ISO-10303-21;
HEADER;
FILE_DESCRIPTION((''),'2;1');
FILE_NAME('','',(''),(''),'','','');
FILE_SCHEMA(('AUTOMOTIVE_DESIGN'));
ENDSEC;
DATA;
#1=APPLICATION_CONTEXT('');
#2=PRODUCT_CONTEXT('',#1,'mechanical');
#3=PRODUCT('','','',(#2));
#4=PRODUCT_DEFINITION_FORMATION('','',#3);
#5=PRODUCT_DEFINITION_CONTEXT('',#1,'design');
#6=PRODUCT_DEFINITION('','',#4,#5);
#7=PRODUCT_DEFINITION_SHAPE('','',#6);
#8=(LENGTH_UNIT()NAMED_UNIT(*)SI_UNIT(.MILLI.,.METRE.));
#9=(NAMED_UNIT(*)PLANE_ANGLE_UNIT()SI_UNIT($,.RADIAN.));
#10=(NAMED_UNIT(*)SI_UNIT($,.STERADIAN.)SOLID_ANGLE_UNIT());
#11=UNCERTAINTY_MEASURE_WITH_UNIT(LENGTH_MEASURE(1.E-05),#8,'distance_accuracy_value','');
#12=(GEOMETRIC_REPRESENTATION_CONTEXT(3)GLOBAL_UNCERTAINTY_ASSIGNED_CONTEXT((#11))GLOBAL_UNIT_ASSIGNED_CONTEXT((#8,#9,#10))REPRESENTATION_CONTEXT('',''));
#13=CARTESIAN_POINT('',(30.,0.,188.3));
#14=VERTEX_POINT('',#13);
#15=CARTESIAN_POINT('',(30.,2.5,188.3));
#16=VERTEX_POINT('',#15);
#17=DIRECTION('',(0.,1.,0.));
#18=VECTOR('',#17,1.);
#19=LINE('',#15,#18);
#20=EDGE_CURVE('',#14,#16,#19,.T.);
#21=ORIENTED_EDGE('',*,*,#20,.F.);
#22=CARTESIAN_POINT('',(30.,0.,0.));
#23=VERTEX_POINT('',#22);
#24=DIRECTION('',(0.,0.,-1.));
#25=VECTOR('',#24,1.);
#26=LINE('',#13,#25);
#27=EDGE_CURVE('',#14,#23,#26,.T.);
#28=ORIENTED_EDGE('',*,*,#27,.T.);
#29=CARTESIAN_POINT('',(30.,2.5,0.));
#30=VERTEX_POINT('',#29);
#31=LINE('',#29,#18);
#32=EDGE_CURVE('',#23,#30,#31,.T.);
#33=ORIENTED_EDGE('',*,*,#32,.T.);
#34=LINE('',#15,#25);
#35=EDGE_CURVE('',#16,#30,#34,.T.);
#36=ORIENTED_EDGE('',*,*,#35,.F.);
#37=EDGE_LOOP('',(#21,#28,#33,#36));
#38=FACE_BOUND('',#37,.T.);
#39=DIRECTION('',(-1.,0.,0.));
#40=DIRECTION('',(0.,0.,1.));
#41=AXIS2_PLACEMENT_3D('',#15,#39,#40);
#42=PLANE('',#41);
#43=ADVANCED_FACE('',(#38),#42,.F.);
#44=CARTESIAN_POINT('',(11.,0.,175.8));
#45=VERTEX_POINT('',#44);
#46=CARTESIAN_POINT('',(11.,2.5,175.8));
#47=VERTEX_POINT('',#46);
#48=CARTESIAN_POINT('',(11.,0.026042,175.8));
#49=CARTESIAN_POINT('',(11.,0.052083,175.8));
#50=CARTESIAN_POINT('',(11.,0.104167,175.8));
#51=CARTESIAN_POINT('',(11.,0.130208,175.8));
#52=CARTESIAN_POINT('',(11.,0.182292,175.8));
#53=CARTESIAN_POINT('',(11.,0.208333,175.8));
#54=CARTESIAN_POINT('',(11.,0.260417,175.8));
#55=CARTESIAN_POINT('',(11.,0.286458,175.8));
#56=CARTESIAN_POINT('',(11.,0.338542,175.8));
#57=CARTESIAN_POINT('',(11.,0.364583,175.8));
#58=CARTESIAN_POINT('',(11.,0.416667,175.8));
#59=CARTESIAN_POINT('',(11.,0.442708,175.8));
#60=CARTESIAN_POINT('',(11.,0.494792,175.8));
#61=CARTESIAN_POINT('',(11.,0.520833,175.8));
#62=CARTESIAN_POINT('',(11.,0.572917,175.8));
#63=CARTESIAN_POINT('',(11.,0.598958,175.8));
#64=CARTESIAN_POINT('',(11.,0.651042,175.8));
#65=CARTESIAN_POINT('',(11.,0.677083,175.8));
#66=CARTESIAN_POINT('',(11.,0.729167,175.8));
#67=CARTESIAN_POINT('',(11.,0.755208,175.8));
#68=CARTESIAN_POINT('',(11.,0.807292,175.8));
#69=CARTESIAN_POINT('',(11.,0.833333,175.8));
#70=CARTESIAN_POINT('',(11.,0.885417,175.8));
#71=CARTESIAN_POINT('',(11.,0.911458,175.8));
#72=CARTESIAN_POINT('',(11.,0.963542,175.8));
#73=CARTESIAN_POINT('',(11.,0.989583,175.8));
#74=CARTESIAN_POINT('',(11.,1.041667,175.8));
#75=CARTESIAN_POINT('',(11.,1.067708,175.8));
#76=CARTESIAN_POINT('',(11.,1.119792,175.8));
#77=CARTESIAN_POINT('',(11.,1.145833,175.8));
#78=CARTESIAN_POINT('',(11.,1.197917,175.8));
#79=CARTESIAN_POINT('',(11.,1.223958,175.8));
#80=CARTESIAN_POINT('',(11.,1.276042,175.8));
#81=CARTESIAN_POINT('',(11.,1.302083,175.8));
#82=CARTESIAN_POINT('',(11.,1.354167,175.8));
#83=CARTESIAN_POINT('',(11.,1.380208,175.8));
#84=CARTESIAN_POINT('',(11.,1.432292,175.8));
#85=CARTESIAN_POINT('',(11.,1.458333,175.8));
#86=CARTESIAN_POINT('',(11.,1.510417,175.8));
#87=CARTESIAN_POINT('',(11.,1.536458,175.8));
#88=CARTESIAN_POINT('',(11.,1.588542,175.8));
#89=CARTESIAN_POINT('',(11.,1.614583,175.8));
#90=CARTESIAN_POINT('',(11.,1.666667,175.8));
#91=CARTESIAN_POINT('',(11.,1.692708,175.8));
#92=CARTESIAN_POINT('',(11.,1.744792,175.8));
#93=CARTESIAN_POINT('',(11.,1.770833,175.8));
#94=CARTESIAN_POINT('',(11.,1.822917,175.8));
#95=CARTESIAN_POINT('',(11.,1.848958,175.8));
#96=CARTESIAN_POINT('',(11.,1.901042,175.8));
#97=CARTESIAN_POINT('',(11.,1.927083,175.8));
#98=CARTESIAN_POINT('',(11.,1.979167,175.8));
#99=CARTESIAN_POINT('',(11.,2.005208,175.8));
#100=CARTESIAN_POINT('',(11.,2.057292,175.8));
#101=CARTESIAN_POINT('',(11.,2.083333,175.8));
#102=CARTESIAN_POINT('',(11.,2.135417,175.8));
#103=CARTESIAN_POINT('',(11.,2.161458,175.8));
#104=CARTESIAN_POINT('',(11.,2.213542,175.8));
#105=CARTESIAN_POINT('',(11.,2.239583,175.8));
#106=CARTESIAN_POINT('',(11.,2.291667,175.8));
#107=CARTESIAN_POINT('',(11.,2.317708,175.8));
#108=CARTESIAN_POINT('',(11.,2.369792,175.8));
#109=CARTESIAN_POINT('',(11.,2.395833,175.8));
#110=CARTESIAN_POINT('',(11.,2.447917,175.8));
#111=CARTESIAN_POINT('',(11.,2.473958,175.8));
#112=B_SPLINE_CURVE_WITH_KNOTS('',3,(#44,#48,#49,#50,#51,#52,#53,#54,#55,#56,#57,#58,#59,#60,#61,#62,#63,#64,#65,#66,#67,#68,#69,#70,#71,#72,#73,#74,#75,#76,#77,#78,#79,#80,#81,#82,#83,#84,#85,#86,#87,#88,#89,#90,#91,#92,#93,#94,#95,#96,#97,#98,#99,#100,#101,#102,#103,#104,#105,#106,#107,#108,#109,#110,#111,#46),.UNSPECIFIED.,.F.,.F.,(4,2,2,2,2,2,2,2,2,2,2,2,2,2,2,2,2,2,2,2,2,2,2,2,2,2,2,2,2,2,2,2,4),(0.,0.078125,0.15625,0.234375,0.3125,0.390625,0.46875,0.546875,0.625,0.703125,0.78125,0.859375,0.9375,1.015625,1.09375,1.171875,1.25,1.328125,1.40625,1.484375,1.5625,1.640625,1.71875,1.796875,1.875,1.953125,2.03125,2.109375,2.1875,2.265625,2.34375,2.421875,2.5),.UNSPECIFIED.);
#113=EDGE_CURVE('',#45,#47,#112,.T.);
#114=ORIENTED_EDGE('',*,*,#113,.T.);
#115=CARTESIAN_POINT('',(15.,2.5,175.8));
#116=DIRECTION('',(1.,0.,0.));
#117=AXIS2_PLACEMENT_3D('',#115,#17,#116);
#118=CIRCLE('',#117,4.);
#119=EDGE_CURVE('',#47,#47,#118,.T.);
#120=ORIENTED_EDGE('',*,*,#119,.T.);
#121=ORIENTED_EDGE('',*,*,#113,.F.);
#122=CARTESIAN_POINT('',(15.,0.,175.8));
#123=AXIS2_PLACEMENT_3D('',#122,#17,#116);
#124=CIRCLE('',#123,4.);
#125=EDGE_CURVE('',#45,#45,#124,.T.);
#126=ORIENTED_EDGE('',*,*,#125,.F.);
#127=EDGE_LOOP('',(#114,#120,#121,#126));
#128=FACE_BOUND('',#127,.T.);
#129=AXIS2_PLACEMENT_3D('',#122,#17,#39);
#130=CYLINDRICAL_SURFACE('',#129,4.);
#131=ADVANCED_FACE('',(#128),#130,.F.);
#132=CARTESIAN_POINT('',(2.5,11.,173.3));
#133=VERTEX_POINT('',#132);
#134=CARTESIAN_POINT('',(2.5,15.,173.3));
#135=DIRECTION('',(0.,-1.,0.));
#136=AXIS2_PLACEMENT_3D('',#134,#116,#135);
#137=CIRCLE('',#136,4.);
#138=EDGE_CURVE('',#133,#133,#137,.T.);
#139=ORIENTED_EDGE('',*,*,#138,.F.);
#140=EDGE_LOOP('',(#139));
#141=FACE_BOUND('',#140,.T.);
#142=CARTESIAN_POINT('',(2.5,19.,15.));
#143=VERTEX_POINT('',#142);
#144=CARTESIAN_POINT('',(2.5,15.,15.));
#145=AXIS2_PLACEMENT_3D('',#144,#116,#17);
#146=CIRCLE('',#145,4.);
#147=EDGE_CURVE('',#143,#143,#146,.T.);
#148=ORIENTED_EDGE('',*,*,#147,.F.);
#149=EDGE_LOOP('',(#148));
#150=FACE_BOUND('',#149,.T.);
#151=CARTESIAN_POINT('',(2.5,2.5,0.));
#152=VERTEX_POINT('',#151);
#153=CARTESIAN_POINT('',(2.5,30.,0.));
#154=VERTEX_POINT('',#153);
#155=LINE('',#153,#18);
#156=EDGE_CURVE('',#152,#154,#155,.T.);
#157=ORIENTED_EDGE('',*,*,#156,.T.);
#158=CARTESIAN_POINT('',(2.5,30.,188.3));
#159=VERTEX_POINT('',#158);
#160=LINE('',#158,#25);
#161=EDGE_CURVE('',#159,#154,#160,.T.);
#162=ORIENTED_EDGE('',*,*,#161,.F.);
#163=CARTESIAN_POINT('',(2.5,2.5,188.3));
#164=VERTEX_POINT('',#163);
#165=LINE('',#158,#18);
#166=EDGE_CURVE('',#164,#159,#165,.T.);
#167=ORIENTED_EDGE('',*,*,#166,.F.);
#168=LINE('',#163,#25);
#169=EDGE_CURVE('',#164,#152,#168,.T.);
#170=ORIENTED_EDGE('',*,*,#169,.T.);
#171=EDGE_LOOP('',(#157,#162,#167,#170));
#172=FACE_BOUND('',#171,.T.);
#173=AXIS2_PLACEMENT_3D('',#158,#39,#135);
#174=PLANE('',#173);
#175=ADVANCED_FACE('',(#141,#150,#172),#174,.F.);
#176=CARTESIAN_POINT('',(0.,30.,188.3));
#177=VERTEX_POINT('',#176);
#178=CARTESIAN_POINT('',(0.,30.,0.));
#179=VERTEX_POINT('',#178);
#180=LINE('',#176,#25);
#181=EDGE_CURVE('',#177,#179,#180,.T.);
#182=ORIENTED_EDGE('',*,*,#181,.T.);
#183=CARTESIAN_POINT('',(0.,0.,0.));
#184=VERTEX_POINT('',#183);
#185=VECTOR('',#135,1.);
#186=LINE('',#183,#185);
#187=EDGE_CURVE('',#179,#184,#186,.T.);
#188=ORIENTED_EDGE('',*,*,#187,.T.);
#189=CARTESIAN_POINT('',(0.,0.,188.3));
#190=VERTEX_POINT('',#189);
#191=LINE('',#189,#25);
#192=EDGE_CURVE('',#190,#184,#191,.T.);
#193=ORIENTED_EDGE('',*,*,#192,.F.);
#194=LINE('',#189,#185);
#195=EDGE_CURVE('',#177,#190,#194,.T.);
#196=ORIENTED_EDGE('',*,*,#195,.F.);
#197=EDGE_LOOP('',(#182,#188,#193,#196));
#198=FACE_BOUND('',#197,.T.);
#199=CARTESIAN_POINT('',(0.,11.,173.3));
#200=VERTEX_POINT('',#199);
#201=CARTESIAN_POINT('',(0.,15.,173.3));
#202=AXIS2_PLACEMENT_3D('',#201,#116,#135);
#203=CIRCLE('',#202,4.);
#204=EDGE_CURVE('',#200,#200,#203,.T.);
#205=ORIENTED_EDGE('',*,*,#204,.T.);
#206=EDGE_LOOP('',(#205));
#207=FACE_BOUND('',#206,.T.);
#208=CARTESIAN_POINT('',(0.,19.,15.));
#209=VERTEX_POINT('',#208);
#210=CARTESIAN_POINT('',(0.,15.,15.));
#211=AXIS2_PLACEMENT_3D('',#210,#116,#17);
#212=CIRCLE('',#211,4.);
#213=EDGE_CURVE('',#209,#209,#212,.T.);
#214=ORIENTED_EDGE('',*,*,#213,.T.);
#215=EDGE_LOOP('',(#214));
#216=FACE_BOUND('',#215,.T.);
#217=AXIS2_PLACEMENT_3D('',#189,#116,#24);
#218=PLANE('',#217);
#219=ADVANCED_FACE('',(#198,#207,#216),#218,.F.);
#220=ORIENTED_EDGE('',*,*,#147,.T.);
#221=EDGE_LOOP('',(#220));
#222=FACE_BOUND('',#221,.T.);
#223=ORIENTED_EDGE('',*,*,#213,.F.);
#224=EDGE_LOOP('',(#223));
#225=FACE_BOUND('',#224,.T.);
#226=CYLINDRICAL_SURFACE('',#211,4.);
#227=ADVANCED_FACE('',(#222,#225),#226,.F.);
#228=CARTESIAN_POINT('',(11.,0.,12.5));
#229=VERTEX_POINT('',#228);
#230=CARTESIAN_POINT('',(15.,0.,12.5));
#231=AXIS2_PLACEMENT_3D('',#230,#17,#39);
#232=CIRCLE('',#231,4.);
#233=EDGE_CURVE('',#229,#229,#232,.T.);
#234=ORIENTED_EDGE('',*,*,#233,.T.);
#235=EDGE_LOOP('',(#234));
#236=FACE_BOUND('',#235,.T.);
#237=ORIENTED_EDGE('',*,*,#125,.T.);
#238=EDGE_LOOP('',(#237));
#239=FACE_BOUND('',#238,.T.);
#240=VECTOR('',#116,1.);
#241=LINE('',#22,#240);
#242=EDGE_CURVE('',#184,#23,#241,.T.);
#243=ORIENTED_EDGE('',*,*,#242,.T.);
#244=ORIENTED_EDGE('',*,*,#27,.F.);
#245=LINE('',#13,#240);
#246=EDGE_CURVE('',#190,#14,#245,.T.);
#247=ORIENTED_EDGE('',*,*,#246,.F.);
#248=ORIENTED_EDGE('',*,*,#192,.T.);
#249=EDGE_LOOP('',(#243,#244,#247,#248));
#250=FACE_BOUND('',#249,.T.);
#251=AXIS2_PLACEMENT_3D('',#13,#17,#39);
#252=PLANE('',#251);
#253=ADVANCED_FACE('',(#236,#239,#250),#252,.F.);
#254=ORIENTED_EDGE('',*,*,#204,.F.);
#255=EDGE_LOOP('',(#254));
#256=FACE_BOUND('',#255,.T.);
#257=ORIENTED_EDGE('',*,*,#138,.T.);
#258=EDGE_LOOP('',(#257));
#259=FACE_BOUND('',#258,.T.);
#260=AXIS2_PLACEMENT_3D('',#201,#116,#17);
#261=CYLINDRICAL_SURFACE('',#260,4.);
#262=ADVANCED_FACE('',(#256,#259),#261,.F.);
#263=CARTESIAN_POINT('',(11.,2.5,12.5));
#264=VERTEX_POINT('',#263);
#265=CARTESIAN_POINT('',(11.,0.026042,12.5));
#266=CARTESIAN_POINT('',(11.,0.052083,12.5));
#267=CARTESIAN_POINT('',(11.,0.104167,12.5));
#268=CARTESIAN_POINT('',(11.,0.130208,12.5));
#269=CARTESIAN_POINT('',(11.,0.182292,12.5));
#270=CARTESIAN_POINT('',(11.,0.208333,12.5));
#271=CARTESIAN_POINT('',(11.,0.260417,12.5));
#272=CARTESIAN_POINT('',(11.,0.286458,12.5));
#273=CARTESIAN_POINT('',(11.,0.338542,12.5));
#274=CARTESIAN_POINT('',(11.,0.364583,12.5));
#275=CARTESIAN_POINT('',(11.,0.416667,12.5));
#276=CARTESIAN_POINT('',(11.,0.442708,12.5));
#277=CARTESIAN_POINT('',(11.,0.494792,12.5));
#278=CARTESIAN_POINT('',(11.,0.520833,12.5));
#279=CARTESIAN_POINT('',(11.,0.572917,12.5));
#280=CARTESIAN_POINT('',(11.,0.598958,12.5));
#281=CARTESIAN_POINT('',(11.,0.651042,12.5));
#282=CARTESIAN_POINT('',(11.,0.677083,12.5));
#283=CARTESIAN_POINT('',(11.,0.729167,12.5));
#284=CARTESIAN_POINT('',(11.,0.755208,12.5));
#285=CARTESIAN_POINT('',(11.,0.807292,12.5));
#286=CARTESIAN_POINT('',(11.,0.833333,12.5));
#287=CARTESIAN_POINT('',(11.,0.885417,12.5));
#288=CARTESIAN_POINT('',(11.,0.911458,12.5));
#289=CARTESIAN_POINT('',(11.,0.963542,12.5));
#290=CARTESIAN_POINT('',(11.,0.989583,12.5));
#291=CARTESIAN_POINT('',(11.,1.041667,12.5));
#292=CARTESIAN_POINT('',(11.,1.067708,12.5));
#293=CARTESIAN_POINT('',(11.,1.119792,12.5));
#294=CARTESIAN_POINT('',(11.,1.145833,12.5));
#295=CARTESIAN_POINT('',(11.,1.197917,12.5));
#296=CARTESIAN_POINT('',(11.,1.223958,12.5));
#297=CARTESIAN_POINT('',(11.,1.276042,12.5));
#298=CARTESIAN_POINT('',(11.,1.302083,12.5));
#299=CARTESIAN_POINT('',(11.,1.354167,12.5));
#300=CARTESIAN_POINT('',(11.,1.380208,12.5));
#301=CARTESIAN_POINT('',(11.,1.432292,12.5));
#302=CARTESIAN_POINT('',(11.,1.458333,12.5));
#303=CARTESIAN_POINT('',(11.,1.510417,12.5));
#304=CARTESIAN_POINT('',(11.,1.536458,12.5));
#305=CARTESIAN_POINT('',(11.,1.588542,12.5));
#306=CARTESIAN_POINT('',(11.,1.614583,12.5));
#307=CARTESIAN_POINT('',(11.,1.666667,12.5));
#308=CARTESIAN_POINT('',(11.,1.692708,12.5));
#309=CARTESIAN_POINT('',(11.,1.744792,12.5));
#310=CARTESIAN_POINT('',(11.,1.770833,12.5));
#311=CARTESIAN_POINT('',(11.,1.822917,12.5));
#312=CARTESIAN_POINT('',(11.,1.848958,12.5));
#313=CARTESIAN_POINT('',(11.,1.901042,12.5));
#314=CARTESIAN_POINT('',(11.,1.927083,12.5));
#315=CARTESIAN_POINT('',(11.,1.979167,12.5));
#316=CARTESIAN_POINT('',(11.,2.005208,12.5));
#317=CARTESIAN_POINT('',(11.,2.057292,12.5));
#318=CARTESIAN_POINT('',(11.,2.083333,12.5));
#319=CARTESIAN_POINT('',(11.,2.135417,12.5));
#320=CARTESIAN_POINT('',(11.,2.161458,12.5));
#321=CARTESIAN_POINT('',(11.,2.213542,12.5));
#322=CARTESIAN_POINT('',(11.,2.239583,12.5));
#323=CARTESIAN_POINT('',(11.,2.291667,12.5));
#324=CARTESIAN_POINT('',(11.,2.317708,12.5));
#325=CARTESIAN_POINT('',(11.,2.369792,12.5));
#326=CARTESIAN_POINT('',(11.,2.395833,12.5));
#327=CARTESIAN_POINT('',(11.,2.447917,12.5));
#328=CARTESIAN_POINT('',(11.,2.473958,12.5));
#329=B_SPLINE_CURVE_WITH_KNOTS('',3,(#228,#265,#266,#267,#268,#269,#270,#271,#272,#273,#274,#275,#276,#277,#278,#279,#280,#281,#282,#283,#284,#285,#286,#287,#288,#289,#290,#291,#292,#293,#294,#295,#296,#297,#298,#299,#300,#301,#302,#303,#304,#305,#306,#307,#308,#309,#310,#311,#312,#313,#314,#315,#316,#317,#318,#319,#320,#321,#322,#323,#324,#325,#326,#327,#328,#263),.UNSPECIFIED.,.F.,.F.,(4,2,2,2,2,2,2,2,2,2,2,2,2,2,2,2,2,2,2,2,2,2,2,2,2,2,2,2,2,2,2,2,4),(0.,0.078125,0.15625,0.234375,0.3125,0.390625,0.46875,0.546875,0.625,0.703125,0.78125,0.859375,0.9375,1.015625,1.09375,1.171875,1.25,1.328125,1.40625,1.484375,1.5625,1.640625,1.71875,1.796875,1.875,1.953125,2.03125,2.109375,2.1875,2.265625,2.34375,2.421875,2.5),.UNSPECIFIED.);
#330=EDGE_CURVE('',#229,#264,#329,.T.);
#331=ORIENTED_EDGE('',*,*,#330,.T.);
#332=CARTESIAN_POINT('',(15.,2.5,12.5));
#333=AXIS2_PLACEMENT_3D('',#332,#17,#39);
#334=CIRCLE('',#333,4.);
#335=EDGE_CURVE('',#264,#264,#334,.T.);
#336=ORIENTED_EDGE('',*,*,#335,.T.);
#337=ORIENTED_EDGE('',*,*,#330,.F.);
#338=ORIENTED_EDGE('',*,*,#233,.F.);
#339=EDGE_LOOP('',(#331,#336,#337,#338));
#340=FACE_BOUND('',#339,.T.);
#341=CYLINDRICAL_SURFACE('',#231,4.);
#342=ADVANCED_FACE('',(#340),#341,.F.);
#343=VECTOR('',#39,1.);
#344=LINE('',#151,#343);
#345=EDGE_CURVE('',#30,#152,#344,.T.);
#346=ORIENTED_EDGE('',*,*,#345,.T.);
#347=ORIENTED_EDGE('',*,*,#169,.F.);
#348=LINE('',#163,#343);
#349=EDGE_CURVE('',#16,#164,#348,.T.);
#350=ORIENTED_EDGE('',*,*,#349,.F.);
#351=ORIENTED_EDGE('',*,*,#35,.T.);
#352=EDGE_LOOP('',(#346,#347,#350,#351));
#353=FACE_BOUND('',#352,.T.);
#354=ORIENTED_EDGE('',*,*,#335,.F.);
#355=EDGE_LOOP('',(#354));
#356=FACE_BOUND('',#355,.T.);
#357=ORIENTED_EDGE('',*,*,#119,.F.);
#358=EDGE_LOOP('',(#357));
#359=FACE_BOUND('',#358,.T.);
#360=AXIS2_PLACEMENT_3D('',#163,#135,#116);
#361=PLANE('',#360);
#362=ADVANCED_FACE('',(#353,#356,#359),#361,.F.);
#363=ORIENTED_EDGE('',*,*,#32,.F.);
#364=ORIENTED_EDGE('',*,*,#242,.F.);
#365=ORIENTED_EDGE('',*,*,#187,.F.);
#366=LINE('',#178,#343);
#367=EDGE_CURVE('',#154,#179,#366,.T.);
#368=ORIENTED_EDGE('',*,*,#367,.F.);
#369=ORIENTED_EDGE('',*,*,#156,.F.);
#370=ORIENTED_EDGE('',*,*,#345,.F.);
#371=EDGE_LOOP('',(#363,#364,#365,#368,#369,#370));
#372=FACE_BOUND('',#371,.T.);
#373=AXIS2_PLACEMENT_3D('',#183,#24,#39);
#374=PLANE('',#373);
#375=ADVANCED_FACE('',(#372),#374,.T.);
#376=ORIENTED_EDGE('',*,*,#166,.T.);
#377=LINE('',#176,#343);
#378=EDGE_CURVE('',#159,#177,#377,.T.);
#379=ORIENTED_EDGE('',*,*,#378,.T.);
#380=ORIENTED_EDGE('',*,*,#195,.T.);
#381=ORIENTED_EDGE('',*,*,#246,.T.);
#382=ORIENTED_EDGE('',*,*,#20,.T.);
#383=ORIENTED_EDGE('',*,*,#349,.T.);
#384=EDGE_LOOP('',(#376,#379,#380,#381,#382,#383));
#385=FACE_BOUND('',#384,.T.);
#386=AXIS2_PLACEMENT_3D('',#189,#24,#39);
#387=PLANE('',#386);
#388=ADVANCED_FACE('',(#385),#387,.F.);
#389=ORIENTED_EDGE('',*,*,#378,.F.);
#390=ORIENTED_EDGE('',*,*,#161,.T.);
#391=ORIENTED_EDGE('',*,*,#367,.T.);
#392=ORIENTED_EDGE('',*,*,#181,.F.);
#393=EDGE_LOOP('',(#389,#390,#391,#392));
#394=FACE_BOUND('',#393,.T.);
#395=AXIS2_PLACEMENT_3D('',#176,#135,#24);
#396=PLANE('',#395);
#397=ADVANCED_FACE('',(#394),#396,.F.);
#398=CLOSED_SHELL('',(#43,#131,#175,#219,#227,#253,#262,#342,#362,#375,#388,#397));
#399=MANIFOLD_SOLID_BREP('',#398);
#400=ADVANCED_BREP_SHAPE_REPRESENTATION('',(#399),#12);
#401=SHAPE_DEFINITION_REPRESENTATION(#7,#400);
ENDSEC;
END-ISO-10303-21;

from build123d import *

# Parameters (mm, degrees)
BOSS_EXTRUDE1_DEPTH = 188.3
SKETCH2_R           = 4
CUT_EXTRUDE1_DEPTH  = 193.647709563
SKETCH3_R           = 4
CUT_EXTRUDE2_DEPTH  = 193.647709563


with BuildPart() as part:
    # Sketch1 → Boss-Extrude1 (new body)
    with BuildSketch(Plane.XY):
        Polygon((0, 0), (0, 30), (2.5, 30), (2.5, 2.5), (30, 2.5), (30, 0), align=None)
    extrude(amount=BOSS_EXTRUDE1_DEPTH)

    # Sketch2 → Cut-Extrude1 (cut, through all)
    with BuildSketch(Plane(origin=(0, 2.5, 0), x_dir=(1, 0, 0), z_dir=(0, 1, 0))):
        with Locations(Location((15, -12.5, 0), (0, 0, 180))):
            Circle(SKETCH2_R)
        with Locations(Location((15, -175.8, 0), (0, 0, 180))):
            Circle(SKETCH2_R)
    extrude(amount=-CUT_EXTRUDE1_DEPTH, mode=Mode.SUBTRACT)

    # Sketch3 → Cut-Extrude2 (cut, through all)
    with BuildSketch(Plane(origin=(2.5, 0, 0), x_dir=(0, 0, -1), z_dir=(1, 0, 0))):
        with Locations(Location((-15, 15, 0), (0, 0, 90))):
            Circle(SKETCH3_R)
        with Locations(Location((-173.3, 15, 0), (0, 0, 270))):
            Circle(SKETCH3_R)
    extrude(amount=-CUT_EXTRUDE2_DEPTH, mode=Mode.SUBTRACT)


solid = part.part
